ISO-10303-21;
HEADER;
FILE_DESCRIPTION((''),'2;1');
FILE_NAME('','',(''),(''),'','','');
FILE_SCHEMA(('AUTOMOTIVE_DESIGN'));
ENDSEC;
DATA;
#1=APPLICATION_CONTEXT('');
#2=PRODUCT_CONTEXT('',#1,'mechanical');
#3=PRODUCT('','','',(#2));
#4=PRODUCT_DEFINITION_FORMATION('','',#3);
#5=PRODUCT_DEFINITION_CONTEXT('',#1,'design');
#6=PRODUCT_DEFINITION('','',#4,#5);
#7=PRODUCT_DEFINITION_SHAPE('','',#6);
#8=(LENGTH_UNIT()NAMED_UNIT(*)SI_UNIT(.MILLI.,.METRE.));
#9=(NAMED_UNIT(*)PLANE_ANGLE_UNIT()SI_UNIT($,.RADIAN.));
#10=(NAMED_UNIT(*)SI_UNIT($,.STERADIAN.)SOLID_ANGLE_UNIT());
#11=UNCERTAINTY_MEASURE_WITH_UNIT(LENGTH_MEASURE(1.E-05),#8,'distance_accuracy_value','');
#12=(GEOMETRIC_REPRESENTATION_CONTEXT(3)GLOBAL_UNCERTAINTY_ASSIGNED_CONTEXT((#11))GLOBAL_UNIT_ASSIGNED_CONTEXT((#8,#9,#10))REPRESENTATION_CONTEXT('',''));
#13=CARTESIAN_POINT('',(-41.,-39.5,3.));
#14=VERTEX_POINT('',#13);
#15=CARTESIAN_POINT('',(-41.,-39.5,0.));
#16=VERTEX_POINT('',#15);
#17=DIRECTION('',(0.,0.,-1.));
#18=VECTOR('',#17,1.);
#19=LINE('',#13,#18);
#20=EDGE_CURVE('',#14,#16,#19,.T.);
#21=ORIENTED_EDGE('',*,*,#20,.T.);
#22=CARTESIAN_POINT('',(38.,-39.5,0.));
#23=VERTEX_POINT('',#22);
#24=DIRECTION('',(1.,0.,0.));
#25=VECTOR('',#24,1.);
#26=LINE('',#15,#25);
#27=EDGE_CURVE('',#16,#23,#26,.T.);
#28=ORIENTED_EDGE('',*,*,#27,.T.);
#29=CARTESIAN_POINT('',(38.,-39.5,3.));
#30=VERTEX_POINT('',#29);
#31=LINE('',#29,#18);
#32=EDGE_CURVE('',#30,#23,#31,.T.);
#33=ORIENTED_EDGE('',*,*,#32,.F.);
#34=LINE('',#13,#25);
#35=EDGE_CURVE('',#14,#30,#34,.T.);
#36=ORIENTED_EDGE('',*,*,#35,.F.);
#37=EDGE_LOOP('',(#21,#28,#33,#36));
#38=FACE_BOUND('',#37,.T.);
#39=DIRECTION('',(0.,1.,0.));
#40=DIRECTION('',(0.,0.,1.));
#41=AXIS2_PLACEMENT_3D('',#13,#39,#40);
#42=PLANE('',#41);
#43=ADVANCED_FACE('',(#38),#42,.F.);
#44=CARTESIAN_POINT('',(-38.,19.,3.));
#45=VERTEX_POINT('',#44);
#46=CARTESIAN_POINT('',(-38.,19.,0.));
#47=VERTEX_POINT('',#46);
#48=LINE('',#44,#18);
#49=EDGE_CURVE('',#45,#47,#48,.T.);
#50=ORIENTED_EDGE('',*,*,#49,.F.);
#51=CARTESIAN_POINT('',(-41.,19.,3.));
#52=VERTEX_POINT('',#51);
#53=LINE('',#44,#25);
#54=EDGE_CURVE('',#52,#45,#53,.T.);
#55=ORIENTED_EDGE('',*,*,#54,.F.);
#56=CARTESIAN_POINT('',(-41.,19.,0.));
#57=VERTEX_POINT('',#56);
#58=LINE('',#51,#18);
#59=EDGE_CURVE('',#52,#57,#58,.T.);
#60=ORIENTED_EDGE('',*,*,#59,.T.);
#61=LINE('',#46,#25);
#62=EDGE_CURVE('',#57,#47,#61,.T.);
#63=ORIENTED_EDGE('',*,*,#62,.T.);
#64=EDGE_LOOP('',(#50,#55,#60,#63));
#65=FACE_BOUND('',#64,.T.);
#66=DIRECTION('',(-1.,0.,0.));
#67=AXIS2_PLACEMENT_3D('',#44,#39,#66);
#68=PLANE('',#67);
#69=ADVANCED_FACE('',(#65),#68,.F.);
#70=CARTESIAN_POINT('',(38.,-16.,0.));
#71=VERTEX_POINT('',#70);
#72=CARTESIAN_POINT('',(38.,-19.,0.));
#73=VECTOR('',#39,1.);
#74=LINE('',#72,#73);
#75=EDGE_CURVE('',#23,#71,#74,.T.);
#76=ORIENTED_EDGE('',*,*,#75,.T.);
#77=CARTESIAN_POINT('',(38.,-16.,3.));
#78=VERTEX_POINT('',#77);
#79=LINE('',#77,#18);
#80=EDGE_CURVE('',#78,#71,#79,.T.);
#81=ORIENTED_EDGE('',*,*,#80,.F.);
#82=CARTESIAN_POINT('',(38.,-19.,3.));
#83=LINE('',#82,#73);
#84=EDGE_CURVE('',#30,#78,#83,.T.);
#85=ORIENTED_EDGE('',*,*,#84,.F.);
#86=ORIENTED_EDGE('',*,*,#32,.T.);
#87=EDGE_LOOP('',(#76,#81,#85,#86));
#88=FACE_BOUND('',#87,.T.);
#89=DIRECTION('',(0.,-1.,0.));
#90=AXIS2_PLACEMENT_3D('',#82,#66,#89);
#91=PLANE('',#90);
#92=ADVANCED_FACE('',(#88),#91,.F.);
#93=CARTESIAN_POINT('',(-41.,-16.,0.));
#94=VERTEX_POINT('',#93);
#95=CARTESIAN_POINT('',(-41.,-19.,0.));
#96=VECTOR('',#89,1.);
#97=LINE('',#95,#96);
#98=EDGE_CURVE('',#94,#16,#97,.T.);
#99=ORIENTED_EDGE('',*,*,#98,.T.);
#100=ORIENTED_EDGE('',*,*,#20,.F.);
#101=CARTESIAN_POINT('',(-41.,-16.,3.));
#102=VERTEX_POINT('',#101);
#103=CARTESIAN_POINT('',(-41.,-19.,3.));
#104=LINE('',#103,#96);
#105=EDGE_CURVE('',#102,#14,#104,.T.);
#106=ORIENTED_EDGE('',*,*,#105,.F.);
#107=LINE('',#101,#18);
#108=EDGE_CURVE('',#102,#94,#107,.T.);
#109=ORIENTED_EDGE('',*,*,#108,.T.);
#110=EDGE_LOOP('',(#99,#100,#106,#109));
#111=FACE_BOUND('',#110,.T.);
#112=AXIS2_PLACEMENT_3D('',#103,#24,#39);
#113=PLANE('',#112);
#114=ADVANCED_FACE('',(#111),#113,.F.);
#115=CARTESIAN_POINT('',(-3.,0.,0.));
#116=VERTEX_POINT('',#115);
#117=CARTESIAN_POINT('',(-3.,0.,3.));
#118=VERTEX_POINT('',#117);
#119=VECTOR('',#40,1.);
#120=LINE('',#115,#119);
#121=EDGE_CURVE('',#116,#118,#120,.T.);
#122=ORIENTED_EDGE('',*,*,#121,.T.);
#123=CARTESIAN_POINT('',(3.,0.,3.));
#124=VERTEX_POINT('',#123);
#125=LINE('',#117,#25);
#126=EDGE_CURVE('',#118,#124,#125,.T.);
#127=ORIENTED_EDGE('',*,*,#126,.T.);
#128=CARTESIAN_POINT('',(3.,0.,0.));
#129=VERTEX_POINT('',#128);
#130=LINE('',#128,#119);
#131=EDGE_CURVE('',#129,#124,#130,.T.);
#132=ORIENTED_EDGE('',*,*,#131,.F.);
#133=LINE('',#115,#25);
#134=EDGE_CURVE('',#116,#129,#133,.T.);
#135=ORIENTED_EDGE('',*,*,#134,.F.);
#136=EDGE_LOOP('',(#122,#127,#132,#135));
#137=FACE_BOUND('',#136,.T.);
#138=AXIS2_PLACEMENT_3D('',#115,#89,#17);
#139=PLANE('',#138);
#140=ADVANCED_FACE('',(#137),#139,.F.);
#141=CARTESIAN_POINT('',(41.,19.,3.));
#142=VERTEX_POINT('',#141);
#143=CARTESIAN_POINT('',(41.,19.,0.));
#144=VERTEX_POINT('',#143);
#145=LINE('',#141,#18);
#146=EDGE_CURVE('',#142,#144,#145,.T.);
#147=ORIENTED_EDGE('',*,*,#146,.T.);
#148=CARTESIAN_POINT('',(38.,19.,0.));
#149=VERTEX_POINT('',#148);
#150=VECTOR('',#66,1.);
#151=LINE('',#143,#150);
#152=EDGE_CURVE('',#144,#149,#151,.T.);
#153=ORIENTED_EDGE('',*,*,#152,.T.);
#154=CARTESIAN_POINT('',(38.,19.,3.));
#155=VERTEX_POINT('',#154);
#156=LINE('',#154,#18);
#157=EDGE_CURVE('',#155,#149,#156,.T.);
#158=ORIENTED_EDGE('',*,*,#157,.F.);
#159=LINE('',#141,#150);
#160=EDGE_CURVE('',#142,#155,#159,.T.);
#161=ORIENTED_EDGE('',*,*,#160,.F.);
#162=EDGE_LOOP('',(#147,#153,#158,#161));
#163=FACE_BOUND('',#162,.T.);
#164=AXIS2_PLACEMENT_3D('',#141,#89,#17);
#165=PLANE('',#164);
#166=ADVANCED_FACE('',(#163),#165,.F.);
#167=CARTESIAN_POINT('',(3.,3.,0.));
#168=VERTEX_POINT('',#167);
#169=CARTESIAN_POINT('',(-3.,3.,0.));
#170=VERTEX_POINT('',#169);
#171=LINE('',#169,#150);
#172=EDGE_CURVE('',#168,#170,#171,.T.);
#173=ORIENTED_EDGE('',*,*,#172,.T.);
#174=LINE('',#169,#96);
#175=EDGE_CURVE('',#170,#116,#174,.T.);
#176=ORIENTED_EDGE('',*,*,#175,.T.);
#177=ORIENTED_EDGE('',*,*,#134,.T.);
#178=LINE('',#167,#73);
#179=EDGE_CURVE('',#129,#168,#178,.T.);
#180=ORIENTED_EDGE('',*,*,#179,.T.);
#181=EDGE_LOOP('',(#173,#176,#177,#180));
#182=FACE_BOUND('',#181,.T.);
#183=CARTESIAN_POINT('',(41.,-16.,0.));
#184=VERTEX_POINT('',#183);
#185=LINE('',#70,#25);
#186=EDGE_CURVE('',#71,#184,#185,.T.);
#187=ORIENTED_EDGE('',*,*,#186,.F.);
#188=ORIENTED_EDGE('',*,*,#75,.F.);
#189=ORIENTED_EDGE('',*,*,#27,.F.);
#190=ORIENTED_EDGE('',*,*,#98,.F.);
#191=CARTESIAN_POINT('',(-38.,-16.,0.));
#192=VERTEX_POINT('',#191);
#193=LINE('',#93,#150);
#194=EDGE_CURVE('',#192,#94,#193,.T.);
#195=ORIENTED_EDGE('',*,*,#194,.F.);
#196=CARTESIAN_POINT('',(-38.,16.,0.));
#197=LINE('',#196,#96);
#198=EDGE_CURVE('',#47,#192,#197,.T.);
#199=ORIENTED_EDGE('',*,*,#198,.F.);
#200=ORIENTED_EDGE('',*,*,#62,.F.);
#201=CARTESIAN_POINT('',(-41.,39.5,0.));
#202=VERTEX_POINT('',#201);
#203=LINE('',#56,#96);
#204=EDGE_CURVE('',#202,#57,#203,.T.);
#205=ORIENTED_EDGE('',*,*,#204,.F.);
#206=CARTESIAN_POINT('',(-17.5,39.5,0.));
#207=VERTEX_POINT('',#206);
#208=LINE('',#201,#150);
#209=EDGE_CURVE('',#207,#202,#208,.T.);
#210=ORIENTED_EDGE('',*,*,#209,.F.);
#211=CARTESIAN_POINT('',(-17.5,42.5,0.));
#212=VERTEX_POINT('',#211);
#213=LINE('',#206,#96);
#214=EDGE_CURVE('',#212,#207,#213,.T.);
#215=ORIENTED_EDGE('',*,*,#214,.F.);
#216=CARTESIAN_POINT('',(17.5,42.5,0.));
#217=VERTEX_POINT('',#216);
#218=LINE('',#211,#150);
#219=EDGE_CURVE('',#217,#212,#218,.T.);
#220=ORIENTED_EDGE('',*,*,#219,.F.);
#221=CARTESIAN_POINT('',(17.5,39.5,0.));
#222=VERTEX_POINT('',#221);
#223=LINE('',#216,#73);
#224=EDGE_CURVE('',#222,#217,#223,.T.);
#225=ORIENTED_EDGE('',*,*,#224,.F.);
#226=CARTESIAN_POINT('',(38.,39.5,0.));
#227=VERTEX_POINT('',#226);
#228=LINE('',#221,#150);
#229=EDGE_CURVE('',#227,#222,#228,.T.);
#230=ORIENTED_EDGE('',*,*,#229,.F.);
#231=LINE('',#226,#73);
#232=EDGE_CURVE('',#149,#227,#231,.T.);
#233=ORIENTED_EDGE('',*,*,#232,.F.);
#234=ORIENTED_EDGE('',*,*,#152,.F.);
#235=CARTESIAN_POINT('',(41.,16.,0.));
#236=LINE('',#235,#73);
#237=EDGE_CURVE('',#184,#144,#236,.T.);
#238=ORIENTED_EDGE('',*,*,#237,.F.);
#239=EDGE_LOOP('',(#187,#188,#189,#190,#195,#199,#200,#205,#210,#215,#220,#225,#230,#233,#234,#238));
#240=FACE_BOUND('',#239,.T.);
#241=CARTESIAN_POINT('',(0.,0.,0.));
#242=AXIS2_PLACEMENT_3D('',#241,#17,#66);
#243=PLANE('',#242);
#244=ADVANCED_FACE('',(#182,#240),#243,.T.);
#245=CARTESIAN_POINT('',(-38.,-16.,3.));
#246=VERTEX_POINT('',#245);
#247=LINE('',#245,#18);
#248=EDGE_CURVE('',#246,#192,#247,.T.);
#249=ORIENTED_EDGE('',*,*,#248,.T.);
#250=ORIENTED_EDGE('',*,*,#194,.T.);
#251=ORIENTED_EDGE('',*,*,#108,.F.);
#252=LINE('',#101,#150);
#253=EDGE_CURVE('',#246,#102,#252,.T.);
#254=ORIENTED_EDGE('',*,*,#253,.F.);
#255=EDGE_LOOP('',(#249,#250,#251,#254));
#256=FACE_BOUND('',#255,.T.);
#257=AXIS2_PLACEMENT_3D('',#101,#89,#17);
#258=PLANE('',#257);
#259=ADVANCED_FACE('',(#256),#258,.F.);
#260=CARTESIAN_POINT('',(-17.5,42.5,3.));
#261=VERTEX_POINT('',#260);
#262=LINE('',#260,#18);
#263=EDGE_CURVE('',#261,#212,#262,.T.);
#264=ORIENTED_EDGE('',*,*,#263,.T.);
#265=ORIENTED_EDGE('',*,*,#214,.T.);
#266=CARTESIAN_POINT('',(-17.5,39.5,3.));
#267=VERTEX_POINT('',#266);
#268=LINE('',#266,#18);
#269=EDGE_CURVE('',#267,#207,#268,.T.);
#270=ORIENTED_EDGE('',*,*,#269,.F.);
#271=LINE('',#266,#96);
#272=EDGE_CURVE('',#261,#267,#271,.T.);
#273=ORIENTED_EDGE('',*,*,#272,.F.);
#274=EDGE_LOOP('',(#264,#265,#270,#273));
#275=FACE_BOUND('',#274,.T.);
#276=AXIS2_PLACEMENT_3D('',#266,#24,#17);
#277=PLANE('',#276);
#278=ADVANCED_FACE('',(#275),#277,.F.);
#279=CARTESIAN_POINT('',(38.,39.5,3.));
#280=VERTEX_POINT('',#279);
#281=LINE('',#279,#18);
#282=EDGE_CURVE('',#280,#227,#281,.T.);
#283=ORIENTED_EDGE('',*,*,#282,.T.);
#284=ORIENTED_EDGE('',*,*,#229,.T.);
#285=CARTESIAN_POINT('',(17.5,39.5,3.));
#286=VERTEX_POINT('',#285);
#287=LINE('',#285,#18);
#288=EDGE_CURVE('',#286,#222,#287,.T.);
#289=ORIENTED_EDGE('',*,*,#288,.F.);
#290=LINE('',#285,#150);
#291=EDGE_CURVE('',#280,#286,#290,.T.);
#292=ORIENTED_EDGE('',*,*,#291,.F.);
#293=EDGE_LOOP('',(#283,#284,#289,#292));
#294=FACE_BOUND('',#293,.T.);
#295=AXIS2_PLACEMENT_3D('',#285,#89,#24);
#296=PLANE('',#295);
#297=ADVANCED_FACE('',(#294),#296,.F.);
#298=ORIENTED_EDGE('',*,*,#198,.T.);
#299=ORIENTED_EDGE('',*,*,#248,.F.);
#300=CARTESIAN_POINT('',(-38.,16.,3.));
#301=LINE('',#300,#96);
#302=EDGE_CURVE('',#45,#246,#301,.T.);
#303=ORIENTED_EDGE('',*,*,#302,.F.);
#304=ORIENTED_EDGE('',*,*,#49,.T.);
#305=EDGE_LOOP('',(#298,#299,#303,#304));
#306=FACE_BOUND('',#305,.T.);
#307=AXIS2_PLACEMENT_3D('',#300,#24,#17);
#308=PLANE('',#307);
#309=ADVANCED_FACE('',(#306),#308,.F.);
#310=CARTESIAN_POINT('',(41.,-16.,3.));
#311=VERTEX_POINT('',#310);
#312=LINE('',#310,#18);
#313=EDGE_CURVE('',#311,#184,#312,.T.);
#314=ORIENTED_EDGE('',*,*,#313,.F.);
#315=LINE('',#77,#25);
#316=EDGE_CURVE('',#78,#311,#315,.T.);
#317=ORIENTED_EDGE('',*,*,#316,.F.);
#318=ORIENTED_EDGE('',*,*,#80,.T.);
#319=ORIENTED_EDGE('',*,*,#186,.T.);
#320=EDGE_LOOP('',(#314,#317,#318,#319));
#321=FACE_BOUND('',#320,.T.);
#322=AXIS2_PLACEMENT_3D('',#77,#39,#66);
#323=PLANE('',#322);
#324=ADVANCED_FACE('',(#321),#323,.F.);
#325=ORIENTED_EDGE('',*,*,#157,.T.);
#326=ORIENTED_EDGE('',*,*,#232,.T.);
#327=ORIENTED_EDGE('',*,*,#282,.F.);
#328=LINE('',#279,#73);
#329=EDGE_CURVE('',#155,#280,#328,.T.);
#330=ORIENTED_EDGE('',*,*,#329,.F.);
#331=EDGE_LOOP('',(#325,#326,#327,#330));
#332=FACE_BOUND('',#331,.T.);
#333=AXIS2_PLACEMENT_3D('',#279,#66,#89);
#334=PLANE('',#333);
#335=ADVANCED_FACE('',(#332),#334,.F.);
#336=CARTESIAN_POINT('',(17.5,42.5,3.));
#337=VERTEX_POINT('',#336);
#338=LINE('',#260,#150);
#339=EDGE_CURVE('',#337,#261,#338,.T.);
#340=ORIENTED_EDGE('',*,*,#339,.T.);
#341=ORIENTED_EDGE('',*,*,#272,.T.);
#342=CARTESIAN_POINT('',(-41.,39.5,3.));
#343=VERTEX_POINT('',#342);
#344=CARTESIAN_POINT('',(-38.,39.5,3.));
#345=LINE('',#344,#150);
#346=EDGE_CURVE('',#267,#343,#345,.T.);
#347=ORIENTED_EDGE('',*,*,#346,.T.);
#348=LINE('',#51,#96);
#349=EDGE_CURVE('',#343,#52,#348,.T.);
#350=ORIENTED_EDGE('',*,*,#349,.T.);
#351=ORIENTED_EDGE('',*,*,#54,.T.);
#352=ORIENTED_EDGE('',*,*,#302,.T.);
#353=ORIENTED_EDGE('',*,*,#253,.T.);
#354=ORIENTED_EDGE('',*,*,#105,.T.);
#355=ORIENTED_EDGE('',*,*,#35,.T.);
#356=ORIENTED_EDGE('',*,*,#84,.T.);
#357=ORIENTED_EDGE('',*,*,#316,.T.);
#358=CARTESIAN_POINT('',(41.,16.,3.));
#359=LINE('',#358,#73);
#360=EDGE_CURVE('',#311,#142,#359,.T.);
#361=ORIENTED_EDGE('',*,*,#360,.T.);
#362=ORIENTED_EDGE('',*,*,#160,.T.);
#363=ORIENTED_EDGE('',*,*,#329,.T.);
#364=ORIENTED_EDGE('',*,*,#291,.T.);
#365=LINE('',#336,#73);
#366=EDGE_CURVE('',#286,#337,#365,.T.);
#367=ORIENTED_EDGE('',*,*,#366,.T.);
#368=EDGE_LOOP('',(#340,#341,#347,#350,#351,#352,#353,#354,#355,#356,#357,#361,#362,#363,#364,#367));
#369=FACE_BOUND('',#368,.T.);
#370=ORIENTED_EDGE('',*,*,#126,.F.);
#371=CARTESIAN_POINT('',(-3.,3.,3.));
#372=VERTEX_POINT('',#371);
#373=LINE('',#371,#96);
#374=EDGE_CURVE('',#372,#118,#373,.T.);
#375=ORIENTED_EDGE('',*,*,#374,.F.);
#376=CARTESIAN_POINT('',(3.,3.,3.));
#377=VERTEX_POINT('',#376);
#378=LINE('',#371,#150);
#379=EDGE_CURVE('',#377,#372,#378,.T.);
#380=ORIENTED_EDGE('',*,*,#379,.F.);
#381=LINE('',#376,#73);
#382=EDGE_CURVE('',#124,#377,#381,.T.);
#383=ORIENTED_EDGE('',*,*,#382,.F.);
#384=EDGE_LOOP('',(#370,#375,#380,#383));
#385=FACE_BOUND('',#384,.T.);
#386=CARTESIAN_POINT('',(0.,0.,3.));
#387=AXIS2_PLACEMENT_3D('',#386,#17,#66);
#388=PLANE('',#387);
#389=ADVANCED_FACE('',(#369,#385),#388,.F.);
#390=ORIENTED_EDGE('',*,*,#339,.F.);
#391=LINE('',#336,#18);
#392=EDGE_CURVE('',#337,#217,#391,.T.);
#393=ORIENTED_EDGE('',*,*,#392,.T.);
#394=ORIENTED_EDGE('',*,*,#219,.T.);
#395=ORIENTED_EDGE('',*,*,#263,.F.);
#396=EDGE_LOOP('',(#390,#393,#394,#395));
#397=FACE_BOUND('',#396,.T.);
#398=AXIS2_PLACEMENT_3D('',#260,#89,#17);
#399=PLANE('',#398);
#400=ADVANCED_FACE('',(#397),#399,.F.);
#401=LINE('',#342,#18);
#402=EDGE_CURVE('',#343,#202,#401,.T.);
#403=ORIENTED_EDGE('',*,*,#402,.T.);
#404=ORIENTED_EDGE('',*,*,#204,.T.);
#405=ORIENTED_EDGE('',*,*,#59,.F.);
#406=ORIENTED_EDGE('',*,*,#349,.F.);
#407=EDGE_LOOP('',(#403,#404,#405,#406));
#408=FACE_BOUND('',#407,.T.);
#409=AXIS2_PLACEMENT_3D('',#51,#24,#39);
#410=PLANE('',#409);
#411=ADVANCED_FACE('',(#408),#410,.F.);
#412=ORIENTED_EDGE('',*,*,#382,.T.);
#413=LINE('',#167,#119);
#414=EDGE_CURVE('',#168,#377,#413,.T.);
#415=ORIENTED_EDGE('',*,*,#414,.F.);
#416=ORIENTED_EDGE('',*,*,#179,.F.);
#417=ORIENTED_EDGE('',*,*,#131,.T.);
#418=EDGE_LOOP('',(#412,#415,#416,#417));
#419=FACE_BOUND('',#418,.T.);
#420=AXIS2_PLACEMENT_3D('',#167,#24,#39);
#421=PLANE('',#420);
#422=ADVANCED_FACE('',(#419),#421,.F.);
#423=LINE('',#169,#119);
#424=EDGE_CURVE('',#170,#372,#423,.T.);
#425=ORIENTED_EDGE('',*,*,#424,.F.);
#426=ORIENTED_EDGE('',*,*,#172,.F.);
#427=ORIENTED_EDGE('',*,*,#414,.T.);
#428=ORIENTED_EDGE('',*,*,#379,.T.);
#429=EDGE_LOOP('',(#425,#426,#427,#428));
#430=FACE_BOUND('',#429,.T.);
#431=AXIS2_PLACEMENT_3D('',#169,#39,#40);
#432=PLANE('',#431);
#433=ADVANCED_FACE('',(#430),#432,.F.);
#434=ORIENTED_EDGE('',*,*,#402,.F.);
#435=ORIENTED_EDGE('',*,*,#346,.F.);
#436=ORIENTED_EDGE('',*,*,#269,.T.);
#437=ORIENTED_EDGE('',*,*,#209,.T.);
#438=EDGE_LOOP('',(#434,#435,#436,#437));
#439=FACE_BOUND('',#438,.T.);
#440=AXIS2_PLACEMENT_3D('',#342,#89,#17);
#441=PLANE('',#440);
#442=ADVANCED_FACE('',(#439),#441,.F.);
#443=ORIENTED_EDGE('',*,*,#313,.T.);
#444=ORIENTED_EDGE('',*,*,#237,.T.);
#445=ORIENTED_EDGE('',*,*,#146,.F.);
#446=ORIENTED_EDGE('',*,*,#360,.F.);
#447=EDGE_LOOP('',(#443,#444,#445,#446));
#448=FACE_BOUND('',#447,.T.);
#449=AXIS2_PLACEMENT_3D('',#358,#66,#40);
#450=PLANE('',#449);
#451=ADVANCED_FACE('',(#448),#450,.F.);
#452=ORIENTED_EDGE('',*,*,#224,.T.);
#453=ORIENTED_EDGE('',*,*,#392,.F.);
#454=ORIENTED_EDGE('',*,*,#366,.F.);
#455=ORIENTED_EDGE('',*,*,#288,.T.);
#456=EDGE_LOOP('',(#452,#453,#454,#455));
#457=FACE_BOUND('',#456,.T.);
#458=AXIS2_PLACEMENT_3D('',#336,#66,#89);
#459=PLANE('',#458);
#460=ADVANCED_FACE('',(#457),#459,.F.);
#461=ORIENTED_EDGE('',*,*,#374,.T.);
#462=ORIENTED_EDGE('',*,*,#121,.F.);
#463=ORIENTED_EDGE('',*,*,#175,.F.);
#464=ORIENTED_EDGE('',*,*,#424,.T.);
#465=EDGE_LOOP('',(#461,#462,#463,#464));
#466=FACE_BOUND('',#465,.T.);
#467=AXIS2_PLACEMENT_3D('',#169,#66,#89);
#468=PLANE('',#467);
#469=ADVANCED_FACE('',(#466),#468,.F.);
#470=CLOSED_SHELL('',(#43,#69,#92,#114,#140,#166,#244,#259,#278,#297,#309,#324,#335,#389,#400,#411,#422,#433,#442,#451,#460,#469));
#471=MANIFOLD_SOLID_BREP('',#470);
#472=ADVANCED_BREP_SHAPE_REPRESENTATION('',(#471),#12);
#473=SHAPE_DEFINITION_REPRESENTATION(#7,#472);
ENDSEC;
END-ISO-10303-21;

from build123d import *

# Parameters (mm, degrees)
BOSS_EXTRUDE1_DEPTH = 3
SKETCH2_W           = 6
SKETCH2_H           = 3
CUT_EXTRUDE1_DEPTH  = 3


with BuildPart() as part:
    # Sketch1 → Boss-Extrude1 (new body)
    with BuildSketch(Plane.XY):
        Polygon((-38, 39.5), (-17.5, 39.5), (-17.5, 42.5), (17.5, 42.5), (17.5, 39.5), (38, 39.5), (38, 19), (41, 19), (41, 16), (41, -16), (38, -16), (38, -19), (38, -39.5), (-41, -39.5), (-41, -19), (-41, -16), (-38, -16), (-38, 16), (-38, 19), (-41, 19), (-41, 39.5), align=None)
    extrude(amount=BOSS_EXTRUDE1_DEPTH)

    # Sketch2 → Cut-Extrude1 (cut)
    with BuildSketch(Plane.XY.offset(3)):
        with Locations((0, 1.5)):
            Rectangle(SKETCH2_W, SKETCH2_H)
    extrude(amount=-CUT_EXTRUDE1_DEPTH, mode=Mode.SUBTRACT)


solid = part.part
